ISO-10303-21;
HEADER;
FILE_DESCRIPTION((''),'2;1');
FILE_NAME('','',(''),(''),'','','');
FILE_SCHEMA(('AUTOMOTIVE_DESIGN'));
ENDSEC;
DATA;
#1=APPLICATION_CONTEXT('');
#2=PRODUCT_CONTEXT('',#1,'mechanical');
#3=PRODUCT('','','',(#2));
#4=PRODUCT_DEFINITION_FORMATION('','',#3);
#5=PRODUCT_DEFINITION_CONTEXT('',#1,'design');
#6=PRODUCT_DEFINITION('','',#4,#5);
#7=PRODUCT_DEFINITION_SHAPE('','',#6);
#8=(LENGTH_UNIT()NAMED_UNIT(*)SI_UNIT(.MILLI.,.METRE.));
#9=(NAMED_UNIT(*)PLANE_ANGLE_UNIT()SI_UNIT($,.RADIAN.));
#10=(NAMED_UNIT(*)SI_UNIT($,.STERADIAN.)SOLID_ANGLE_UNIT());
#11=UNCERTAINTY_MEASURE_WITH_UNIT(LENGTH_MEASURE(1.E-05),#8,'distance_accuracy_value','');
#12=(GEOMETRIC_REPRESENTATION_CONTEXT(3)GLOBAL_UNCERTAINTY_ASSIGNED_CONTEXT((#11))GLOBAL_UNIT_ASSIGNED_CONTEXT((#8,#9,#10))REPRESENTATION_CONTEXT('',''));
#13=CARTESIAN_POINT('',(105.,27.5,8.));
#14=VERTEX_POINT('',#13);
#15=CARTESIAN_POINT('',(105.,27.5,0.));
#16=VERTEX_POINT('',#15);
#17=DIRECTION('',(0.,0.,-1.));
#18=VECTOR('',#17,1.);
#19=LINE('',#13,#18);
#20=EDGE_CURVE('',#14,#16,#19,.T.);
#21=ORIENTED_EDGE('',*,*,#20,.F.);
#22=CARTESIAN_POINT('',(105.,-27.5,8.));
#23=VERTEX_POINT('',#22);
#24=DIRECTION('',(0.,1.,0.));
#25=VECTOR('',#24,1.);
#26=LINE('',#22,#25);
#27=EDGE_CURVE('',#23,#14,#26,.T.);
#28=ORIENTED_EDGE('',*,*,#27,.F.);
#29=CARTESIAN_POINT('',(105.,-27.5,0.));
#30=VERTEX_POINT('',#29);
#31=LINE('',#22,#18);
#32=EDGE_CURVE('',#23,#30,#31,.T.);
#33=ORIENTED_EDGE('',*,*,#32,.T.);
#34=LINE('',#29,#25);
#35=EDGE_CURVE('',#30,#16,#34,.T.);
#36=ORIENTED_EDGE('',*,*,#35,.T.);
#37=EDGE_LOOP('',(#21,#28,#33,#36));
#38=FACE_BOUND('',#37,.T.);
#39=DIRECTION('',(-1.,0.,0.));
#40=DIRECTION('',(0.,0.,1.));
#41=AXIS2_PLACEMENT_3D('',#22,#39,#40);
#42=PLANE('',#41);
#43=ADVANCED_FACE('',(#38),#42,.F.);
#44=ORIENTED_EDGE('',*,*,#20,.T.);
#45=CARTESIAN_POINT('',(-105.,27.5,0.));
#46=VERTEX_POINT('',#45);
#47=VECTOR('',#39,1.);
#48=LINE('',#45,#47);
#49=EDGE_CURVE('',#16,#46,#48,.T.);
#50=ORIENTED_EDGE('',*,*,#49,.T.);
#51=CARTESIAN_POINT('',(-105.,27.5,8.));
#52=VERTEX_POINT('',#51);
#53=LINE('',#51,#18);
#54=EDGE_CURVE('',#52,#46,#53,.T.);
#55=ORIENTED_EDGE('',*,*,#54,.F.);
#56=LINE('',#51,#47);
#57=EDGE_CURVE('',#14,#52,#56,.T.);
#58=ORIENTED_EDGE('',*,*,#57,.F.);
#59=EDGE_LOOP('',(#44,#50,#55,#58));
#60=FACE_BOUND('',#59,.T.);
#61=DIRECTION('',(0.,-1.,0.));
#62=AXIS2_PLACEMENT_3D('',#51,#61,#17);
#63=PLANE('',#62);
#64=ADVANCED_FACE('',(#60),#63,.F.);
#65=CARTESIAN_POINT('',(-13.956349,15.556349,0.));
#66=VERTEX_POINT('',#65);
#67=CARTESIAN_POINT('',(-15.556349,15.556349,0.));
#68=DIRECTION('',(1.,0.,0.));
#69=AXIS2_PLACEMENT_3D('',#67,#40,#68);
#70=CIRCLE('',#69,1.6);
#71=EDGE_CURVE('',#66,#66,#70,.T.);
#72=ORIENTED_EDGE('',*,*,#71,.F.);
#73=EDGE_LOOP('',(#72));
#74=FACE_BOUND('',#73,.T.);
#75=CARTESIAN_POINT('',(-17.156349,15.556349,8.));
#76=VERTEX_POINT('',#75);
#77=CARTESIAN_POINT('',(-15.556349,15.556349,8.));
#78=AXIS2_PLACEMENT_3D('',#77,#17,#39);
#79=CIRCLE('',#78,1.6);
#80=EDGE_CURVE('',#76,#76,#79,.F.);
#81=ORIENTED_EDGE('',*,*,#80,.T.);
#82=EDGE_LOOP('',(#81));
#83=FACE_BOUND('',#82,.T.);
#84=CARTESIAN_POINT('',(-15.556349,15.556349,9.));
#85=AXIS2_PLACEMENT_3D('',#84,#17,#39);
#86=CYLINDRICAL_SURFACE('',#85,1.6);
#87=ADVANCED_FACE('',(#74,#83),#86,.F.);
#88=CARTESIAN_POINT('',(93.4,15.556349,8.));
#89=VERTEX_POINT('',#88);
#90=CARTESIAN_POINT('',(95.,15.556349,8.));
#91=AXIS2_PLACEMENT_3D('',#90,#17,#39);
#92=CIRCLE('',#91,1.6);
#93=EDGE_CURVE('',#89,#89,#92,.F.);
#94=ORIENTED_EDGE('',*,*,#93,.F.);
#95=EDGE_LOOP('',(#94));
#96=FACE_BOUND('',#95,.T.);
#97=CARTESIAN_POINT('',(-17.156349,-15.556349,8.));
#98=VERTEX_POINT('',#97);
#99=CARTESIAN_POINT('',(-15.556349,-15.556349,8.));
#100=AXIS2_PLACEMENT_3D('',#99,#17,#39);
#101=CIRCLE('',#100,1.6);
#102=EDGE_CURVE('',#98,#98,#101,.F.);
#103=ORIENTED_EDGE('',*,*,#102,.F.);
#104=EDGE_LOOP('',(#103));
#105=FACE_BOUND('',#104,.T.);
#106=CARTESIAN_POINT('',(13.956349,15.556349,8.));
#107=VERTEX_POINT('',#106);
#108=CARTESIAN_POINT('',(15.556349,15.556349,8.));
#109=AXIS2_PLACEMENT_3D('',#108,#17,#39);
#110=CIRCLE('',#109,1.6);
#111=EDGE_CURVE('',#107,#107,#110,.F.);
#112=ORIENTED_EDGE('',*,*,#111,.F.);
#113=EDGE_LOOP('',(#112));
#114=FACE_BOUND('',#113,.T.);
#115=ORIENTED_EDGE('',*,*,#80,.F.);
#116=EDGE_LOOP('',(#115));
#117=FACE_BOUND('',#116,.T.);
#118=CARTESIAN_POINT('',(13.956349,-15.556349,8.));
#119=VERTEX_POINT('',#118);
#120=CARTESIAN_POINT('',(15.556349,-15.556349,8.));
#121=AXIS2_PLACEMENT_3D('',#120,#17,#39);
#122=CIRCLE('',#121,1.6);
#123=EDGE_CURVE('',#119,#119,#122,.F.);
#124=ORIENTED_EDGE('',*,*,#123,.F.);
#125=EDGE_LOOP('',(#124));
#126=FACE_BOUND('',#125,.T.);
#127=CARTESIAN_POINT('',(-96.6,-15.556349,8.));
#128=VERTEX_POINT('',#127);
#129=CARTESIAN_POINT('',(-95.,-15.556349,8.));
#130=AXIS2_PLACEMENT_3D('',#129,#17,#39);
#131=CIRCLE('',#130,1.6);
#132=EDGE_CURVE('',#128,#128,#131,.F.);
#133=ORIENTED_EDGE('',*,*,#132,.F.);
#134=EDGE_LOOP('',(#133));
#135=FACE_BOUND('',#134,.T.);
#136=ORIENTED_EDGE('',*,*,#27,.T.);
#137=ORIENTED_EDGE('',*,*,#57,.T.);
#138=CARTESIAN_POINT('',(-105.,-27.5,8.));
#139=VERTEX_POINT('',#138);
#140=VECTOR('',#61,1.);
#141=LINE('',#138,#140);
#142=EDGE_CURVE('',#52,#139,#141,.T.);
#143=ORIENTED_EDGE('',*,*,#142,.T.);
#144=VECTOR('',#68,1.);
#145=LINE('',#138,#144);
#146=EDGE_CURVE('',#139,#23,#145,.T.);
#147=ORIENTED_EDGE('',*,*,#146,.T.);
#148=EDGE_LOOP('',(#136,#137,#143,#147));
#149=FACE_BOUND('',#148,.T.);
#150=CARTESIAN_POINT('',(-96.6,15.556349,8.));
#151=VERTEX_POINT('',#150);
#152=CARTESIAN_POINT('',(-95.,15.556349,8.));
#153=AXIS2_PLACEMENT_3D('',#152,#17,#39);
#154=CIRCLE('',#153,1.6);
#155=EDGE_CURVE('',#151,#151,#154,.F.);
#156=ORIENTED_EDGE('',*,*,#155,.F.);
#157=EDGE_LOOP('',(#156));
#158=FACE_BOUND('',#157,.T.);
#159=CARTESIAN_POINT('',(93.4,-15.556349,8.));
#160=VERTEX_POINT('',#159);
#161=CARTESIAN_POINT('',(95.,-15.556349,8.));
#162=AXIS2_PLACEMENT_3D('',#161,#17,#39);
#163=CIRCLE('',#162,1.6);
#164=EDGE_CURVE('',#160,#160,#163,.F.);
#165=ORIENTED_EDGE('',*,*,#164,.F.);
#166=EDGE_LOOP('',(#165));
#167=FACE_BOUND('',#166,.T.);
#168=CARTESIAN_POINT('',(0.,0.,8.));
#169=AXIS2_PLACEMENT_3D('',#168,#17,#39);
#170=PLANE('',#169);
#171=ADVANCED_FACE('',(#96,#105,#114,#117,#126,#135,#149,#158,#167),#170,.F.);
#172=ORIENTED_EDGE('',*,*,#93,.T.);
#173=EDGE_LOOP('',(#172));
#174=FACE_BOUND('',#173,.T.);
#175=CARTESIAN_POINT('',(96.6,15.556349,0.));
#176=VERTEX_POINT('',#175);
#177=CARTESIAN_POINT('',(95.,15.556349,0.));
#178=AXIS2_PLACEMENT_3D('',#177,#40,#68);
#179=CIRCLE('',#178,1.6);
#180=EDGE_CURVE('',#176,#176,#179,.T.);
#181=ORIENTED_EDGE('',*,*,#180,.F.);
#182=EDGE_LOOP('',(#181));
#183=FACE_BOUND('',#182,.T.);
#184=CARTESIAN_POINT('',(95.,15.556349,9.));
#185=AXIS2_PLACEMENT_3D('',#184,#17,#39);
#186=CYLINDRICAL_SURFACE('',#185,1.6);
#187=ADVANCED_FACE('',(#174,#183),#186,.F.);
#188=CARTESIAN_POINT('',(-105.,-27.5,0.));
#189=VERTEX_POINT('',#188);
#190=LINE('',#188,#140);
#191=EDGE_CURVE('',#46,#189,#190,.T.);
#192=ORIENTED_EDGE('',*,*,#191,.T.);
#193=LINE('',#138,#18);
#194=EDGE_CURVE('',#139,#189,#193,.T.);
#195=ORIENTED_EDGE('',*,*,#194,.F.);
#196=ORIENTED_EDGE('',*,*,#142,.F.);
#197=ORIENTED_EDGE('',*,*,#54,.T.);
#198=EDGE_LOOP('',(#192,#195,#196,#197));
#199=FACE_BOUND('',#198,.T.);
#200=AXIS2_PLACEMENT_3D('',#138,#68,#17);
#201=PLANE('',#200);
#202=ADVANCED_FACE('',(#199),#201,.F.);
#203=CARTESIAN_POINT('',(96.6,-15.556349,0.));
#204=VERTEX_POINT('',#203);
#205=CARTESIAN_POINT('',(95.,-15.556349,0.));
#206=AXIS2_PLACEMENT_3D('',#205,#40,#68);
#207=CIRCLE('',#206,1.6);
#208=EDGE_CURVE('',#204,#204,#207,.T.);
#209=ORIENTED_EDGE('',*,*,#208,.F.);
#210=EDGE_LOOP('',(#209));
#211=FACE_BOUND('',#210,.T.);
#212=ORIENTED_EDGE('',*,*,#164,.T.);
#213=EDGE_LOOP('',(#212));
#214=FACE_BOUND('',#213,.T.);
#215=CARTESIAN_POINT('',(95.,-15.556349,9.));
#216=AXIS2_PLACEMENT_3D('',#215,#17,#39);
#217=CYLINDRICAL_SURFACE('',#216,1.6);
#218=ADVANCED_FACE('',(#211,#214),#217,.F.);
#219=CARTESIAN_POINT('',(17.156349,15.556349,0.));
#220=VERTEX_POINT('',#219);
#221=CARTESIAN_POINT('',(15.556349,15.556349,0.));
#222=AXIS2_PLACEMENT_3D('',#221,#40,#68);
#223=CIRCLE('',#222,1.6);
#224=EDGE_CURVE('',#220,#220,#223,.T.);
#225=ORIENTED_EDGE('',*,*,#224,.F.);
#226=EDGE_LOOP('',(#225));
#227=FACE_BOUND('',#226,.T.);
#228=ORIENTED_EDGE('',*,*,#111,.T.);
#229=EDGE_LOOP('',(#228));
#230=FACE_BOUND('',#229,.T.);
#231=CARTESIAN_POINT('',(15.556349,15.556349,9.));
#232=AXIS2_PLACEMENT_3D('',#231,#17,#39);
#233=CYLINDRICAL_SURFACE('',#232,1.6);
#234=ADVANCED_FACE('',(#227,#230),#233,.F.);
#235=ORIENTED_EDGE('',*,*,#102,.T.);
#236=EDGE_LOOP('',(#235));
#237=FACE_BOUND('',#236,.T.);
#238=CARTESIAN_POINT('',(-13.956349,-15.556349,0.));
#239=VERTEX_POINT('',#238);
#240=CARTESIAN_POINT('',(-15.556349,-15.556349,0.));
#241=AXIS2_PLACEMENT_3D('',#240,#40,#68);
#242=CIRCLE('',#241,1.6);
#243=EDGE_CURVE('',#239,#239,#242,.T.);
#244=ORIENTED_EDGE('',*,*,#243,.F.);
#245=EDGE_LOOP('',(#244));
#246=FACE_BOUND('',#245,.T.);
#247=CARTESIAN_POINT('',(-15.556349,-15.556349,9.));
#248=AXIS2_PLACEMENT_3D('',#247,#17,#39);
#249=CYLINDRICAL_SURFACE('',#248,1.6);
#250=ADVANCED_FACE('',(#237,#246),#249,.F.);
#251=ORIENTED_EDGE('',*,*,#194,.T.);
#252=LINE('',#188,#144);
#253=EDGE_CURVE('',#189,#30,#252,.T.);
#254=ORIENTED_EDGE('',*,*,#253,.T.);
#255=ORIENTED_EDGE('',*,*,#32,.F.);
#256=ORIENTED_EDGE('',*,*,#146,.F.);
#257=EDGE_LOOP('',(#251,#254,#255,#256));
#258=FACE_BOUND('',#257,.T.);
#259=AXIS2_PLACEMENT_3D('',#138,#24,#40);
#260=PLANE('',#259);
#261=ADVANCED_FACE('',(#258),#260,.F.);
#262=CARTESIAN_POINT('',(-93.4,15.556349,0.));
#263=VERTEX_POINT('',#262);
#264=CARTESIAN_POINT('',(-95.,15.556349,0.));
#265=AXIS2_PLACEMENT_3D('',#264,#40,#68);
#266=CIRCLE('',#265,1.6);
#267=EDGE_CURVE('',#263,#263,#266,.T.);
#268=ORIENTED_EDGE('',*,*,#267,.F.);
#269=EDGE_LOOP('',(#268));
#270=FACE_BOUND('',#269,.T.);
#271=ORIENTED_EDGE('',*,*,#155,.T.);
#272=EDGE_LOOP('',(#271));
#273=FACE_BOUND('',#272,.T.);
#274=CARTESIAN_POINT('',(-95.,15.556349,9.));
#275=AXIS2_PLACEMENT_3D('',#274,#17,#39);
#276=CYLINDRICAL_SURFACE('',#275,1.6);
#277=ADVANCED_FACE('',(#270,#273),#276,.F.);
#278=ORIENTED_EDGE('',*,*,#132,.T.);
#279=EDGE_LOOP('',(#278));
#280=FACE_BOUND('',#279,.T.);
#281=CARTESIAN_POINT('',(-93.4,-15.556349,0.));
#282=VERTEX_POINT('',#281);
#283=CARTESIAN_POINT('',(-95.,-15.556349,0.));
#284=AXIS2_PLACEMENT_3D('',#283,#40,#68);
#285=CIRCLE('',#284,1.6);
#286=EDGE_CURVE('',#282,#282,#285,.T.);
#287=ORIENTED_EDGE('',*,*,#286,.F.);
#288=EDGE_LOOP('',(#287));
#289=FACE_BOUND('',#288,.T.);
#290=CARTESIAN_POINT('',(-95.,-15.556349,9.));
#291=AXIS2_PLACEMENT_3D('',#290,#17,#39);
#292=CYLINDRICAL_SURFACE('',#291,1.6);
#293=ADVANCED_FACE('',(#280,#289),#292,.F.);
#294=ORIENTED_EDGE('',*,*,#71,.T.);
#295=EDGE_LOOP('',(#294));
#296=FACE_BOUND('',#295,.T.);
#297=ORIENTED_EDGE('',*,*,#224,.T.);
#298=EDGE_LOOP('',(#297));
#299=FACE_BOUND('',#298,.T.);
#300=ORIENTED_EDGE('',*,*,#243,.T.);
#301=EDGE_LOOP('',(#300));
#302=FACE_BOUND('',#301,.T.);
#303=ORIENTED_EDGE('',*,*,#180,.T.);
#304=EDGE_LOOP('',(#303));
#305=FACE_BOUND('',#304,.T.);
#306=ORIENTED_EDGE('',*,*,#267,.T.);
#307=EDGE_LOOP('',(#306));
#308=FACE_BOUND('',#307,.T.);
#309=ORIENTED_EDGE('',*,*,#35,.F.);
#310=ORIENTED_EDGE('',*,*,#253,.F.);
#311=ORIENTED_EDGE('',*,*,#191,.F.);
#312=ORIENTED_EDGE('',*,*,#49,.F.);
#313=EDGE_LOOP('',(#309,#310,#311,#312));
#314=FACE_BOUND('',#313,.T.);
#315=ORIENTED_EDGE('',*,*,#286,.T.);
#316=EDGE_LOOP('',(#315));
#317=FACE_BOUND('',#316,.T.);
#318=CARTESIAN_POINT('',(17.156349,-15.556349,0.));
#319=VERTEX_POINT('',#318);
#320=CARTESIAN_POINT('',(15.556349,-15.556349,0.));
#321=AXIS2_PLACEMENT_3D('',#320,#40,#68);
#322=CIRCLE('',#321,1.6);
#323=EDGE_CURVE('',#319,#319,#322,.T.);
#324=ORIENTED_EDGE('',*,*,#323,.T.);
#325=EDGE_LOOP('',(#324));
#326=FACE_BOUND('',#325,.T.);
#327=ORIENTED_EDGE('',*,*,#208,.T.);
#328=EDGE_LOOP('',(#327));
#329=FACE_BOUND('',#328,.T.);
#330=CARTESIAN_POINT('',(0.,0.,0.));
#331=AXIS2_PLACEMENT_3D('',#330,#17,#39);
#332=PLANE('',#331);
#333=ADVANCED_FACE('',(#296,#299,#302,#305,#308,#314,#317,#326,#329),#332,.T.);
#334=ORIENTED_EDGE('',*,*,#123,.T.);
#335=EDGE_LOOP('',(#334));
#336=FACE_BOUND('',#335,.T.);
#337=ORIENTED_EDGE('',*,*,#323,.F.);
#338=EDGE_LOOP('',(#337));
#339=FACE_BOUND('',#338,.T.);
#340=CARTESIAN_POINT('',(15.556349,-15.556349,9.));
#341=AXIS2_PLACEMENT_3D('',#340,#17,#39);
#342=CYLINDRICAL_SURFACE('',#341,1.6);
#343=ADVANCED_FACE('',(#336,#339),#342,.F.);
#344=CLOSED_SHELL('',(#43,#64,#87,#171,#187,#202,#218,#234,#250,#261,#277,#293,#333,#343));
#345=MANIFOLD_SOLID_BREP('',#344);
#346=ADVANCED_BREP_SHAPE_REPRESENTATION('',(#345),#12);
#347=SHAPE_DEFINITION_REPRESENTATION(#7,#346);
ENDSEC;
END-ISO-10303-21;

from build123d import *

# Parameters (mm, degrees)
SKETCH1_W           = 210
SKETCH1_H           = 55
BOSS_EXTRUDE1_DEPTH = 8
SKETCH2_R           = 1.6
CUT_EXTRUDE2_DEPTH  = 9


with BuildPart() as part:
    # Sketch1 → Boss-Extrude1 (new body)
    with BuildSketch(Plane.XY):
        Rectangle(SKETCH1_W, SKETCH1_H)
    extrude(amount=BOSS_EXTRUDE1_DEPTH)

    # Sketch2 → Cut-Extrude2 (cut)
    with BuildSketch(Plane.XY):
        with Locations(Location((15.556349186, 15.556349186, 0), (0, 0, 180))):
            Circle(SKETCH2_R)
        with Locations(Location((-15.556349186, 15.556349186, 0), (0, 0, 180))):
            Circle(SKETCH2_R)
        with Locations(Location((-15.556349186, -15.556349186, 0), (0, 0, 180))):
            Circle(SKETCH2_R)
        with Locations(Location((15.556349186, -15.556349186, 0), (0, 0, 180))):
            Circle(SKETCH2_R)
        with Locations(Location((-95, 15.556349186, 0), (0, 0, 180))):
            Circle(SKETCH2_R)
        with Locations(Location((-95, -15.556349186, 0), (0, 0, 180))):
            Circle(SKETCH2_R)
        with Locations(Location((95, 15.556349186, 0), (0, 0, 180))):
            Circle(SKETCH2_R)
        with Locations(Location((95, -15.556349186, 0), (0, 0, 180))):
            Circle(SKETCH2_R)
    extrude(amount=CUT_EXTRUDE2_DEPTH, mode=Mode.SUBTRACT)


solid = part.part
